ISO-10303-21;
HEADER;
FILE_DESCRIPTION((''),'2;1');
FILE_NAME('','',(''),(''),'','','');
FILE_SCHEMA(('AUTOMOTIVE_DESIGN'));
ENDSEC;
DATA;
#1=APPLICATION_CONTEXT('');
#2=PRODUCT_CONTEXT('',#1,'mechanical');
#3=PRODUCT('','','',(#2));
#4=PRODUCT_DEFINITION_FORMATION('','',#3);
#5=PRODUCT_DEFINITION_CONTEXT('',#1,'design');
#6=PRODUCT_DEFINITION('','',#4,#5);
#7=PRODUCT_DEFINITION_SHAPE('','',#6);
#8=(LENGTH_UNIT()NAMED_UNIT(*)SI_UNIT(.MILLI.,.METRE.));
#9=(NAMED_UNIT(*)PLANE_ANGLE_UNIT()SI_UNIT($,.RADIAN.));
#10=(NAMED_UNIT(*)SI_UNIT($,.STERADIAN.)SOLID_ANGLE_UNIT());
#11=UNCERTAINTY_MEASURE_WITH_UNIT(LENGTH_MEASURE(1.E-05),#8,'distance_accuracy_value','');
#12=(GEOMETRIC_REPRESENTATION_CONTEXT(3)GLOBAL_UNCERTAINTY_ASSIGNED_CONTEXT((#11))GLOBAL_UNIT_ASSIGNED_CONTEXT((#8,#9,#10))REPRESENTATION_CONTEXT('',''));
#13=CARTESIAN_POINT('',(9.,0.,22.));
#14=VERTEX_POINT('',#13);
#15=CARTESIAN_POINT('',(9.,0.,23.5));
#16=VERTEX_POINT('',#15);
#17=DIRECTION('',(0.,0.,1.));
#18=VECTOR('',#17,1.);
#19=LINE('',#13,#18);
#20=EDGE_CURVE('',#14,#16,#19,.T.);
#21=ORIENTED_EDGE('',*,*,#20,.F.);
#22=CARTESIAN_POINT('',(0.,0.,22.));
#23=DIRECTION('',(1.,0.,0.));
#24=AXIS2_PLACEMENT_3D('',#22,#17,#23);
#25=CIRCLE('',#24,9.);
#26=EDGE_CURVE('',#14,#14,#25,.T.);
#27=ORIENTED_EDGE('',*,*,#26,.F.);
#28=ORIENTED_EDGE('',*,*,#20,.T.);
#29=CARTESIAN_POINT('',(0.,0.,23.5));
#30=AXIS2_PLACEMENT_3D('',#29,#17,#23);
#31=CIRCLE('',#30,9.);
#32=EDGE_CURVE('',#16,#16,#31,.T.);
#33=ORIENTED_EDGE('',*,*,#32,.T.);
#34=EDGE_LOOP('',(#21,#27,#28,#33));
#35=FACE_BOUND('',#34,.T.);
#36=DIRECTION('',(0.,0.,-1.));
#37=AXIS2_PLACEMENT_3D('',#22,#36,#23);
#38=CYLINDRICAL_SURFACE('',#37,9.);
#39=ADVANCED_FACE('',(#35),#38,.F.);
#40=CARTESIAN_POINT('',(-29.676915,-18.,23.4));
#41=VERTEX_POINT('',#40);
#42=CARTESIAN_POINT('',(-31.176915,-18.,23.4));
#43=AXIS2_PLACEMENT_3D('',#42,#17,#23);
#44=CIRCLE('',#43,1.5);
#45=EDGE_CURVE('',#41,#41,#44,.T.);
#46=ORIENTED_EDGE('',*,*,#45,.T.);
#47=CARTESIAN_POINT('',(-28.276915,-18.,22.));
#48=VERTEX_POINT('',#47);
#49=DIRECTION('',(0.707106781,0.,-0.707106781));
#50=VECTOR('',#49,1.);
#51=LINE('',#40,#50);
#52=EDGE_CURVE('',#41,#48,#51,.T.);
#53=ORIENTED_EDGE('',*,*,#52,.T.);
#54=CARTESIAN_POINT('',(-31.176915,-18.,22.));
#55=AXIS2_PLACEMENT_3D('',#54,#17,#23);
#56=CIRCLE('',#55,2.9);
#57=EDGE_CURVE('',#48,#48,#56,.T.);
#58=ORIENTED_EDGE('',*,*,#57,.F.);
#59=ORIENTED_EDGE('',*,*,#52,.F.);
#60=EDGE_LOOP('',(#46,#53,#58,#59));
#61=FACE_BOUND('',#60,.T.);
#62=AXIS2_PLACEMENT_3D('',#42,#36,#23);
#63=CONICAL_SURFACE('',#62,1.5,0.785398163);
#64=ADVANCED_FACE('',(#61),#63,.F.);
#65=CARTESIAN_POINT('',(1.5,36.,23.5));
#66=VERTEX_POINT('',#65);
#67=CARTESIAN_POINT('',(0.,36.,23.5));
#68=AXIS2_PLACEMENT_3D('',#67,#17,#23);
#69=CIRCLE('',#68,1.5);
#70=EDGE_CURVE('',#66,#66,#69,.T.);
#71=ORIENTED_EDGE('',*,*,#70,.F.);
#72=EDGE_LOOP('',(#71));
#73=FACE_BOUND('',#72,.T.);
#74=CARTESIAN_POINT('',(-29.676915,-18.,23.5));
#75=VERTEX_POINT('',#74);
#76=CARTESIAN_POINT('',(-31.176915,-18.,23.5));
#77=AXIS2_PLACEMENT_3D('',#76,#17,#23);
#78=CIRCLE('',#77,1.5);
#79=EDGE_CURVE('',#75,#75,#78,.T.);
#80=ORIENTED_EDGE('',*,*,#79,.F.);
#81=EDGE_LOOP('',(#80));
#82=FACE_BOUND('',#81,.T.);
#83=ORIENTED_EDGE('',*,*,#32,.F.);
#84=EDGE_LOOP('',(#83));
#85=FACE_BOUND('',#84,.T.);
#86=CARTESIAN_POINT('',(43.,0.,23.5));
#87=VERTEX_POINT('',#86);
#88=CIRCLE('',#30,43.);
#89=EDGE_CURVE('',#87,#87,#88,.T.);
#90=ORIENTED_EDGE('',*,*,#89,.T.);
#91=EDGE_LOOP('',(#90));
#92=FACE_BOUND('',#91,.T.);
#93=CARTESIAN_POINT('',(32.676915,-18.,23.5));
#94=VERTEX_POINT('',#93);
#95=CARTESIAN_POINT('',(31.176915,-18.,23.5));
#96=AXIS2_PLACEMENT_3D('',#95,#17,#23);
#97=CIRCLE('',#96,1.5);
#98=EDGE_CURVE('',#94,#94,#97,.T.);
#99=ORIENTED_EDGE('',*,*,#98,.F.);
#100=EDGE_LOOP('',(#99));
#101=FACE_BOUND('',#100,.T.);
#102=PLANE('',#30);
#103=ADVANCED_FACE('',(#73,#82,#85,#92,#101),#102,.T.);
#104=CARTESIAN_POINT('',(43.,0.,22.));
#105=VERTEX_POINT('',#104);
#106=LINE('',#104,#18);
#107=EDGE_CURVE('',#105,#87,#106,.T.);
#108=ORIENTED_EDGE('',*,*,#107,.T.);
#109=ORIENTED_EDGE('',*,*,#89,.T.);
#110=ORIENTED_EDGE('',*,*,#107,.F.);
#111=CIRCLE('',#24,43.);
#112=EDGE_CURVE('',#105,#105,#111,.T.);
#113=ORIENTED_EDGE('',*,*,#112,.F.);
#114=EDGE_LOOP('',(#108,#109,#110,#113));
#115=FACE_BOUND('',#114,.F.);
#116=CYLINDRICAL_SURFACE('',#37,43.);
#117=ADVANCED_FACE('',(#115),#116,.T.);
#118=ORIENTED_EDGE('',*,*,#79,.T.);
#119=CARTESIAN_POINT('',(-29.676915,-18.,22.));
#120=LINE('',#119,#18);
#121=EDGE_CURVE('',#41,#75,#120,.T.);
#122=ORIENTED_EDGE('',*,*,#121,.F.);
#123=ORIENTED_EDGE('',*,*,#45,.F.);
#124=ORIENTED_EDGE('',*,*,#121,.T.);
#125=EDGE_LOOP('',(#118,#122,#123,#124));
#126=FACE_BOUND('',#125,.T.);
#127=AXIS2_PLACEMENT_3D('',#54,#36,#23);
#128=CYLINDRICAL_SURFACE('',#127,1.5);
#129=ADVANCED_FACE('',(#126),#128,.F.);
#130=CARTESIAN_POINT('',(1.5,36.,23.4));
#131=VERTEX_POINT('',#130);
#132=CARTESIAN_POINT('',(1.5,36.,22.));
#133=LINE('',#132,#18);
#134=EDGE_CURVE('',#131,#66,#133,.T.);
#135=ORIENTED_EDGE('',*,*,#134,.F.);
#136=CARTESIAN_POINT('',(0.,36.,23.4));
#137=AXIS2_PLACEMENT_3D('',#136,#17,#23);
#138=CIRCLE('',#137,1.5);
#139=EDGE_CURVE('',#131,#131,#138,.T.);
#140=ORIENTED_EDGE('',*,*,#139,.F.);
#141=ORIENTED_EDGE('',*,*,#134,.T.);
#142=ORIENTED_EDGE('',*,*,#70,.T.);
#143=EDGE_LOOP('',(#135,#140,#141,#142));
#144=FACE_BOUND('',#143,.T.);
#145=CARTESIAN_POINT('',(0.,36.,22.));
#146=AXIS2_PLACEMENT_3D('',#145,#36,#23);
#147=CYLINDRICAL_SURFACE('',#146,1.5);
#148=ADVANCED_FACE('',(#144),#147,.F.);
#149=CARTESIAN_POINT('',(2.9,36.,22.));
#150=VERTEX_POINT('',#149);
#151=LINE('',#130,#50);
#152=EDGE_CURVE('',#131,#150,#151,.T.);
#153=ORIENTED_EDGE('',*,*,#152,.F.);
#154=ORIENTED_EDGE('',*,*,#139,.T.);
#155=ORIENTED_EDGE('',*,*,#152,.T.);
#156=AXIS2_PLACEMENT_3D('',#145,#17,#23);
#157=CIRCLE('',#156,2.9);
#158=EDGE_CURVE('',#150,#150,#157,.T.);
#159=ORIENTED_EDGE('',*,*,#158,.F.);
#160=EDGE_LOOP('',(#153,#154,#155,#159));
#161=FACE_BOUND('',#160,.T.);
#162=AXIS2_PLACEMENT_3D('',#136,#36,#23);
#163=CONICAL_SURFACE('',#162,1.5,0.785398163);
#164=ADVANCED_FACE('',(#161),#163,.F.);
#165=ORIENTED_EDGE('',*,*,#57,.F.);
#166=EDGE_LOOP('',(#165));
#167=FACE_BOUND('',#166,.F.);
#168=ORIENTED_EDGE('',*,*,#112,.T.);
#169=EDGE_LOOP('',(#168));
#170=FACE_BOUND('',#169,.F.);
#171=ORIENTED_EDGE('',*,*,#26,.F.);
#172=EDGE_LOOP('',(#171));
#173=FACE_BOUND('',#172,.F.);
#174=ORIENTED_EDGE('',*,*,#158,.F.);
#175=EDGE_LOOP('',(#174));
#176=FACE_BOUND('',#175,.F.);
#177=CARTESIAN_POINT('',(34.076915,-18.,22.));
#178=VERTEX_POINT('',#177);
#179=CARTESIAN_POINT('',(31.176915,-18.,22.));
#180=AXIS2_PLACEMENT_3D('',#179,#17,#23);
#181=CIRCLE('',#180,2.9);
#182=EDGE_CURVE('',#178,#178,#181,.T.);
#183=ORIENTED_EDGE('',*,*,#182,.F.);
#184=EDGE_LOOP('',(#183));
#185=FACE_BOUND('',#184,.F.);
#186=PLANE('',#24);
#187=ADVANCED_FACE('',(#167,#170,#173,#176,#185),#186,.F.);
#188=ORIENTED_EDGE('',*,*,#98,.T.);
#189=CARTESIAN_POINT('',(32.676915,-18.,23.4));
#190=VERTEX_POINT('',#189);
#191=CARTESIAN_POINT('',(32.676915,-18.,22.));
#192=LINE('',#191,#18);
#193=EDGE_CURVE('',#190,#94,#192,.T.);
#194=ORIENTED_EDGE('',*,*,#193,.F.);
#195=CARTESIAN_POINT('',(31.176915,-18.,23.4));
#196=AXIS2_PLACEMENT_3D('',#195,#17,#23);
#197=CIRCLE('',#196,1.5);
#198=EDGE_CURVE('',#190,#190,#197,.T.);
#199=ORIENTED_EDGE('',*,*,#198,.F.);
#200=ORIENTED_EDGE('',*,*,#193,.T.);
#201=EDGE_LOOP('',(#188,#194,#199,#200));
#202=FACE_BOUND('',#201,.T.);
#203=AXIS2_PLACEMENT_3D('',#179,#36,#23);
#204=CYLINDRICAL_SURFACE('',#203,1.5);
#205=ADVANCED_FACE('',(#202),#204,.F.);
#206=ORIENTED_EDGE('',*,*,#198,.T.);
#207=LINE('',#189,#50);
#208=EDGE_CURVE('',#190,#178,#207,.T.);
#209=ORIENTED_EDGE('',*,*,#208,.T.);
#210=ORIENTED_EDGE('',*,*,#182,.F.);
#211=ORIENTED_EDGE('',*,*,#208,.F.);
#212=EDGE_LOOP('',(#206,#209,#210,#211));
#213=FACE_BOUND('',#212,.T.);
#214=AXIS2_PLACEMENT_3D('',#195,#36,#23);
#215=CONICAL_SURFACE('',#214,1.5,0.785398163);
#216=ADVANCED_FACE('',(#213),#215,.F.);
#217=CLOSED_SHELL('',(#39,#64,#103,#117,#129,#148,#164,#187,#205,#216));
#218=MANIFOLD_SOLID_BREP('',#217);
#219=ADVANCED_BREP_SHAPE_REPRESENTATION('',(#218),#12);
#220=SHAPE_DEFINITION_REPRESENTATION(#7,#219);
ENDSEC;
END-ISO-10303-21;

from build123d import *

# Parameters (mm, degrees)
SKETCH006_R   = 43
SKETCH006_R_2 = 1.5
SKETCH006_R_3 = 9
PAD_DEPTH     = 1.5
CHAMFER_SIZE  = 1.4


with BuildPart() as part:
    # Sketch006 → Pad (new body)
    with BuildSketch(Plane.XY.offset(22)):
        Circle(SKETCH006_R)
        with Locations((0, 36)):
            Circle(SKETCH006_R_2, mode=Mode.SUBTRACT)
        with Locations((31.176915, -18)):
            Circle(SKETCH006_R_2, mode=Mode.SUBTRACT)
        with Locations((-31.176915, -18)):
            Circle(SKETCH006_R_2, mode=Mode.SUBTRACT)
        Circle(SKETCH006_R_3, mode=Mode.SUBTRACT)
    extrude(amount=PAD_DEPTH)

    # Chamfer
    chamfer_edges = [part.edges().sort_by_distance(p)[0] for p in [
        (-32.676915, -18, 22),
        (-1.5, 36, 22),
        (29.676915, -18, 22),
    ]]
    chamfer(chamfer_edges, length=CHAMFER_SIZE)


solid = part.part
